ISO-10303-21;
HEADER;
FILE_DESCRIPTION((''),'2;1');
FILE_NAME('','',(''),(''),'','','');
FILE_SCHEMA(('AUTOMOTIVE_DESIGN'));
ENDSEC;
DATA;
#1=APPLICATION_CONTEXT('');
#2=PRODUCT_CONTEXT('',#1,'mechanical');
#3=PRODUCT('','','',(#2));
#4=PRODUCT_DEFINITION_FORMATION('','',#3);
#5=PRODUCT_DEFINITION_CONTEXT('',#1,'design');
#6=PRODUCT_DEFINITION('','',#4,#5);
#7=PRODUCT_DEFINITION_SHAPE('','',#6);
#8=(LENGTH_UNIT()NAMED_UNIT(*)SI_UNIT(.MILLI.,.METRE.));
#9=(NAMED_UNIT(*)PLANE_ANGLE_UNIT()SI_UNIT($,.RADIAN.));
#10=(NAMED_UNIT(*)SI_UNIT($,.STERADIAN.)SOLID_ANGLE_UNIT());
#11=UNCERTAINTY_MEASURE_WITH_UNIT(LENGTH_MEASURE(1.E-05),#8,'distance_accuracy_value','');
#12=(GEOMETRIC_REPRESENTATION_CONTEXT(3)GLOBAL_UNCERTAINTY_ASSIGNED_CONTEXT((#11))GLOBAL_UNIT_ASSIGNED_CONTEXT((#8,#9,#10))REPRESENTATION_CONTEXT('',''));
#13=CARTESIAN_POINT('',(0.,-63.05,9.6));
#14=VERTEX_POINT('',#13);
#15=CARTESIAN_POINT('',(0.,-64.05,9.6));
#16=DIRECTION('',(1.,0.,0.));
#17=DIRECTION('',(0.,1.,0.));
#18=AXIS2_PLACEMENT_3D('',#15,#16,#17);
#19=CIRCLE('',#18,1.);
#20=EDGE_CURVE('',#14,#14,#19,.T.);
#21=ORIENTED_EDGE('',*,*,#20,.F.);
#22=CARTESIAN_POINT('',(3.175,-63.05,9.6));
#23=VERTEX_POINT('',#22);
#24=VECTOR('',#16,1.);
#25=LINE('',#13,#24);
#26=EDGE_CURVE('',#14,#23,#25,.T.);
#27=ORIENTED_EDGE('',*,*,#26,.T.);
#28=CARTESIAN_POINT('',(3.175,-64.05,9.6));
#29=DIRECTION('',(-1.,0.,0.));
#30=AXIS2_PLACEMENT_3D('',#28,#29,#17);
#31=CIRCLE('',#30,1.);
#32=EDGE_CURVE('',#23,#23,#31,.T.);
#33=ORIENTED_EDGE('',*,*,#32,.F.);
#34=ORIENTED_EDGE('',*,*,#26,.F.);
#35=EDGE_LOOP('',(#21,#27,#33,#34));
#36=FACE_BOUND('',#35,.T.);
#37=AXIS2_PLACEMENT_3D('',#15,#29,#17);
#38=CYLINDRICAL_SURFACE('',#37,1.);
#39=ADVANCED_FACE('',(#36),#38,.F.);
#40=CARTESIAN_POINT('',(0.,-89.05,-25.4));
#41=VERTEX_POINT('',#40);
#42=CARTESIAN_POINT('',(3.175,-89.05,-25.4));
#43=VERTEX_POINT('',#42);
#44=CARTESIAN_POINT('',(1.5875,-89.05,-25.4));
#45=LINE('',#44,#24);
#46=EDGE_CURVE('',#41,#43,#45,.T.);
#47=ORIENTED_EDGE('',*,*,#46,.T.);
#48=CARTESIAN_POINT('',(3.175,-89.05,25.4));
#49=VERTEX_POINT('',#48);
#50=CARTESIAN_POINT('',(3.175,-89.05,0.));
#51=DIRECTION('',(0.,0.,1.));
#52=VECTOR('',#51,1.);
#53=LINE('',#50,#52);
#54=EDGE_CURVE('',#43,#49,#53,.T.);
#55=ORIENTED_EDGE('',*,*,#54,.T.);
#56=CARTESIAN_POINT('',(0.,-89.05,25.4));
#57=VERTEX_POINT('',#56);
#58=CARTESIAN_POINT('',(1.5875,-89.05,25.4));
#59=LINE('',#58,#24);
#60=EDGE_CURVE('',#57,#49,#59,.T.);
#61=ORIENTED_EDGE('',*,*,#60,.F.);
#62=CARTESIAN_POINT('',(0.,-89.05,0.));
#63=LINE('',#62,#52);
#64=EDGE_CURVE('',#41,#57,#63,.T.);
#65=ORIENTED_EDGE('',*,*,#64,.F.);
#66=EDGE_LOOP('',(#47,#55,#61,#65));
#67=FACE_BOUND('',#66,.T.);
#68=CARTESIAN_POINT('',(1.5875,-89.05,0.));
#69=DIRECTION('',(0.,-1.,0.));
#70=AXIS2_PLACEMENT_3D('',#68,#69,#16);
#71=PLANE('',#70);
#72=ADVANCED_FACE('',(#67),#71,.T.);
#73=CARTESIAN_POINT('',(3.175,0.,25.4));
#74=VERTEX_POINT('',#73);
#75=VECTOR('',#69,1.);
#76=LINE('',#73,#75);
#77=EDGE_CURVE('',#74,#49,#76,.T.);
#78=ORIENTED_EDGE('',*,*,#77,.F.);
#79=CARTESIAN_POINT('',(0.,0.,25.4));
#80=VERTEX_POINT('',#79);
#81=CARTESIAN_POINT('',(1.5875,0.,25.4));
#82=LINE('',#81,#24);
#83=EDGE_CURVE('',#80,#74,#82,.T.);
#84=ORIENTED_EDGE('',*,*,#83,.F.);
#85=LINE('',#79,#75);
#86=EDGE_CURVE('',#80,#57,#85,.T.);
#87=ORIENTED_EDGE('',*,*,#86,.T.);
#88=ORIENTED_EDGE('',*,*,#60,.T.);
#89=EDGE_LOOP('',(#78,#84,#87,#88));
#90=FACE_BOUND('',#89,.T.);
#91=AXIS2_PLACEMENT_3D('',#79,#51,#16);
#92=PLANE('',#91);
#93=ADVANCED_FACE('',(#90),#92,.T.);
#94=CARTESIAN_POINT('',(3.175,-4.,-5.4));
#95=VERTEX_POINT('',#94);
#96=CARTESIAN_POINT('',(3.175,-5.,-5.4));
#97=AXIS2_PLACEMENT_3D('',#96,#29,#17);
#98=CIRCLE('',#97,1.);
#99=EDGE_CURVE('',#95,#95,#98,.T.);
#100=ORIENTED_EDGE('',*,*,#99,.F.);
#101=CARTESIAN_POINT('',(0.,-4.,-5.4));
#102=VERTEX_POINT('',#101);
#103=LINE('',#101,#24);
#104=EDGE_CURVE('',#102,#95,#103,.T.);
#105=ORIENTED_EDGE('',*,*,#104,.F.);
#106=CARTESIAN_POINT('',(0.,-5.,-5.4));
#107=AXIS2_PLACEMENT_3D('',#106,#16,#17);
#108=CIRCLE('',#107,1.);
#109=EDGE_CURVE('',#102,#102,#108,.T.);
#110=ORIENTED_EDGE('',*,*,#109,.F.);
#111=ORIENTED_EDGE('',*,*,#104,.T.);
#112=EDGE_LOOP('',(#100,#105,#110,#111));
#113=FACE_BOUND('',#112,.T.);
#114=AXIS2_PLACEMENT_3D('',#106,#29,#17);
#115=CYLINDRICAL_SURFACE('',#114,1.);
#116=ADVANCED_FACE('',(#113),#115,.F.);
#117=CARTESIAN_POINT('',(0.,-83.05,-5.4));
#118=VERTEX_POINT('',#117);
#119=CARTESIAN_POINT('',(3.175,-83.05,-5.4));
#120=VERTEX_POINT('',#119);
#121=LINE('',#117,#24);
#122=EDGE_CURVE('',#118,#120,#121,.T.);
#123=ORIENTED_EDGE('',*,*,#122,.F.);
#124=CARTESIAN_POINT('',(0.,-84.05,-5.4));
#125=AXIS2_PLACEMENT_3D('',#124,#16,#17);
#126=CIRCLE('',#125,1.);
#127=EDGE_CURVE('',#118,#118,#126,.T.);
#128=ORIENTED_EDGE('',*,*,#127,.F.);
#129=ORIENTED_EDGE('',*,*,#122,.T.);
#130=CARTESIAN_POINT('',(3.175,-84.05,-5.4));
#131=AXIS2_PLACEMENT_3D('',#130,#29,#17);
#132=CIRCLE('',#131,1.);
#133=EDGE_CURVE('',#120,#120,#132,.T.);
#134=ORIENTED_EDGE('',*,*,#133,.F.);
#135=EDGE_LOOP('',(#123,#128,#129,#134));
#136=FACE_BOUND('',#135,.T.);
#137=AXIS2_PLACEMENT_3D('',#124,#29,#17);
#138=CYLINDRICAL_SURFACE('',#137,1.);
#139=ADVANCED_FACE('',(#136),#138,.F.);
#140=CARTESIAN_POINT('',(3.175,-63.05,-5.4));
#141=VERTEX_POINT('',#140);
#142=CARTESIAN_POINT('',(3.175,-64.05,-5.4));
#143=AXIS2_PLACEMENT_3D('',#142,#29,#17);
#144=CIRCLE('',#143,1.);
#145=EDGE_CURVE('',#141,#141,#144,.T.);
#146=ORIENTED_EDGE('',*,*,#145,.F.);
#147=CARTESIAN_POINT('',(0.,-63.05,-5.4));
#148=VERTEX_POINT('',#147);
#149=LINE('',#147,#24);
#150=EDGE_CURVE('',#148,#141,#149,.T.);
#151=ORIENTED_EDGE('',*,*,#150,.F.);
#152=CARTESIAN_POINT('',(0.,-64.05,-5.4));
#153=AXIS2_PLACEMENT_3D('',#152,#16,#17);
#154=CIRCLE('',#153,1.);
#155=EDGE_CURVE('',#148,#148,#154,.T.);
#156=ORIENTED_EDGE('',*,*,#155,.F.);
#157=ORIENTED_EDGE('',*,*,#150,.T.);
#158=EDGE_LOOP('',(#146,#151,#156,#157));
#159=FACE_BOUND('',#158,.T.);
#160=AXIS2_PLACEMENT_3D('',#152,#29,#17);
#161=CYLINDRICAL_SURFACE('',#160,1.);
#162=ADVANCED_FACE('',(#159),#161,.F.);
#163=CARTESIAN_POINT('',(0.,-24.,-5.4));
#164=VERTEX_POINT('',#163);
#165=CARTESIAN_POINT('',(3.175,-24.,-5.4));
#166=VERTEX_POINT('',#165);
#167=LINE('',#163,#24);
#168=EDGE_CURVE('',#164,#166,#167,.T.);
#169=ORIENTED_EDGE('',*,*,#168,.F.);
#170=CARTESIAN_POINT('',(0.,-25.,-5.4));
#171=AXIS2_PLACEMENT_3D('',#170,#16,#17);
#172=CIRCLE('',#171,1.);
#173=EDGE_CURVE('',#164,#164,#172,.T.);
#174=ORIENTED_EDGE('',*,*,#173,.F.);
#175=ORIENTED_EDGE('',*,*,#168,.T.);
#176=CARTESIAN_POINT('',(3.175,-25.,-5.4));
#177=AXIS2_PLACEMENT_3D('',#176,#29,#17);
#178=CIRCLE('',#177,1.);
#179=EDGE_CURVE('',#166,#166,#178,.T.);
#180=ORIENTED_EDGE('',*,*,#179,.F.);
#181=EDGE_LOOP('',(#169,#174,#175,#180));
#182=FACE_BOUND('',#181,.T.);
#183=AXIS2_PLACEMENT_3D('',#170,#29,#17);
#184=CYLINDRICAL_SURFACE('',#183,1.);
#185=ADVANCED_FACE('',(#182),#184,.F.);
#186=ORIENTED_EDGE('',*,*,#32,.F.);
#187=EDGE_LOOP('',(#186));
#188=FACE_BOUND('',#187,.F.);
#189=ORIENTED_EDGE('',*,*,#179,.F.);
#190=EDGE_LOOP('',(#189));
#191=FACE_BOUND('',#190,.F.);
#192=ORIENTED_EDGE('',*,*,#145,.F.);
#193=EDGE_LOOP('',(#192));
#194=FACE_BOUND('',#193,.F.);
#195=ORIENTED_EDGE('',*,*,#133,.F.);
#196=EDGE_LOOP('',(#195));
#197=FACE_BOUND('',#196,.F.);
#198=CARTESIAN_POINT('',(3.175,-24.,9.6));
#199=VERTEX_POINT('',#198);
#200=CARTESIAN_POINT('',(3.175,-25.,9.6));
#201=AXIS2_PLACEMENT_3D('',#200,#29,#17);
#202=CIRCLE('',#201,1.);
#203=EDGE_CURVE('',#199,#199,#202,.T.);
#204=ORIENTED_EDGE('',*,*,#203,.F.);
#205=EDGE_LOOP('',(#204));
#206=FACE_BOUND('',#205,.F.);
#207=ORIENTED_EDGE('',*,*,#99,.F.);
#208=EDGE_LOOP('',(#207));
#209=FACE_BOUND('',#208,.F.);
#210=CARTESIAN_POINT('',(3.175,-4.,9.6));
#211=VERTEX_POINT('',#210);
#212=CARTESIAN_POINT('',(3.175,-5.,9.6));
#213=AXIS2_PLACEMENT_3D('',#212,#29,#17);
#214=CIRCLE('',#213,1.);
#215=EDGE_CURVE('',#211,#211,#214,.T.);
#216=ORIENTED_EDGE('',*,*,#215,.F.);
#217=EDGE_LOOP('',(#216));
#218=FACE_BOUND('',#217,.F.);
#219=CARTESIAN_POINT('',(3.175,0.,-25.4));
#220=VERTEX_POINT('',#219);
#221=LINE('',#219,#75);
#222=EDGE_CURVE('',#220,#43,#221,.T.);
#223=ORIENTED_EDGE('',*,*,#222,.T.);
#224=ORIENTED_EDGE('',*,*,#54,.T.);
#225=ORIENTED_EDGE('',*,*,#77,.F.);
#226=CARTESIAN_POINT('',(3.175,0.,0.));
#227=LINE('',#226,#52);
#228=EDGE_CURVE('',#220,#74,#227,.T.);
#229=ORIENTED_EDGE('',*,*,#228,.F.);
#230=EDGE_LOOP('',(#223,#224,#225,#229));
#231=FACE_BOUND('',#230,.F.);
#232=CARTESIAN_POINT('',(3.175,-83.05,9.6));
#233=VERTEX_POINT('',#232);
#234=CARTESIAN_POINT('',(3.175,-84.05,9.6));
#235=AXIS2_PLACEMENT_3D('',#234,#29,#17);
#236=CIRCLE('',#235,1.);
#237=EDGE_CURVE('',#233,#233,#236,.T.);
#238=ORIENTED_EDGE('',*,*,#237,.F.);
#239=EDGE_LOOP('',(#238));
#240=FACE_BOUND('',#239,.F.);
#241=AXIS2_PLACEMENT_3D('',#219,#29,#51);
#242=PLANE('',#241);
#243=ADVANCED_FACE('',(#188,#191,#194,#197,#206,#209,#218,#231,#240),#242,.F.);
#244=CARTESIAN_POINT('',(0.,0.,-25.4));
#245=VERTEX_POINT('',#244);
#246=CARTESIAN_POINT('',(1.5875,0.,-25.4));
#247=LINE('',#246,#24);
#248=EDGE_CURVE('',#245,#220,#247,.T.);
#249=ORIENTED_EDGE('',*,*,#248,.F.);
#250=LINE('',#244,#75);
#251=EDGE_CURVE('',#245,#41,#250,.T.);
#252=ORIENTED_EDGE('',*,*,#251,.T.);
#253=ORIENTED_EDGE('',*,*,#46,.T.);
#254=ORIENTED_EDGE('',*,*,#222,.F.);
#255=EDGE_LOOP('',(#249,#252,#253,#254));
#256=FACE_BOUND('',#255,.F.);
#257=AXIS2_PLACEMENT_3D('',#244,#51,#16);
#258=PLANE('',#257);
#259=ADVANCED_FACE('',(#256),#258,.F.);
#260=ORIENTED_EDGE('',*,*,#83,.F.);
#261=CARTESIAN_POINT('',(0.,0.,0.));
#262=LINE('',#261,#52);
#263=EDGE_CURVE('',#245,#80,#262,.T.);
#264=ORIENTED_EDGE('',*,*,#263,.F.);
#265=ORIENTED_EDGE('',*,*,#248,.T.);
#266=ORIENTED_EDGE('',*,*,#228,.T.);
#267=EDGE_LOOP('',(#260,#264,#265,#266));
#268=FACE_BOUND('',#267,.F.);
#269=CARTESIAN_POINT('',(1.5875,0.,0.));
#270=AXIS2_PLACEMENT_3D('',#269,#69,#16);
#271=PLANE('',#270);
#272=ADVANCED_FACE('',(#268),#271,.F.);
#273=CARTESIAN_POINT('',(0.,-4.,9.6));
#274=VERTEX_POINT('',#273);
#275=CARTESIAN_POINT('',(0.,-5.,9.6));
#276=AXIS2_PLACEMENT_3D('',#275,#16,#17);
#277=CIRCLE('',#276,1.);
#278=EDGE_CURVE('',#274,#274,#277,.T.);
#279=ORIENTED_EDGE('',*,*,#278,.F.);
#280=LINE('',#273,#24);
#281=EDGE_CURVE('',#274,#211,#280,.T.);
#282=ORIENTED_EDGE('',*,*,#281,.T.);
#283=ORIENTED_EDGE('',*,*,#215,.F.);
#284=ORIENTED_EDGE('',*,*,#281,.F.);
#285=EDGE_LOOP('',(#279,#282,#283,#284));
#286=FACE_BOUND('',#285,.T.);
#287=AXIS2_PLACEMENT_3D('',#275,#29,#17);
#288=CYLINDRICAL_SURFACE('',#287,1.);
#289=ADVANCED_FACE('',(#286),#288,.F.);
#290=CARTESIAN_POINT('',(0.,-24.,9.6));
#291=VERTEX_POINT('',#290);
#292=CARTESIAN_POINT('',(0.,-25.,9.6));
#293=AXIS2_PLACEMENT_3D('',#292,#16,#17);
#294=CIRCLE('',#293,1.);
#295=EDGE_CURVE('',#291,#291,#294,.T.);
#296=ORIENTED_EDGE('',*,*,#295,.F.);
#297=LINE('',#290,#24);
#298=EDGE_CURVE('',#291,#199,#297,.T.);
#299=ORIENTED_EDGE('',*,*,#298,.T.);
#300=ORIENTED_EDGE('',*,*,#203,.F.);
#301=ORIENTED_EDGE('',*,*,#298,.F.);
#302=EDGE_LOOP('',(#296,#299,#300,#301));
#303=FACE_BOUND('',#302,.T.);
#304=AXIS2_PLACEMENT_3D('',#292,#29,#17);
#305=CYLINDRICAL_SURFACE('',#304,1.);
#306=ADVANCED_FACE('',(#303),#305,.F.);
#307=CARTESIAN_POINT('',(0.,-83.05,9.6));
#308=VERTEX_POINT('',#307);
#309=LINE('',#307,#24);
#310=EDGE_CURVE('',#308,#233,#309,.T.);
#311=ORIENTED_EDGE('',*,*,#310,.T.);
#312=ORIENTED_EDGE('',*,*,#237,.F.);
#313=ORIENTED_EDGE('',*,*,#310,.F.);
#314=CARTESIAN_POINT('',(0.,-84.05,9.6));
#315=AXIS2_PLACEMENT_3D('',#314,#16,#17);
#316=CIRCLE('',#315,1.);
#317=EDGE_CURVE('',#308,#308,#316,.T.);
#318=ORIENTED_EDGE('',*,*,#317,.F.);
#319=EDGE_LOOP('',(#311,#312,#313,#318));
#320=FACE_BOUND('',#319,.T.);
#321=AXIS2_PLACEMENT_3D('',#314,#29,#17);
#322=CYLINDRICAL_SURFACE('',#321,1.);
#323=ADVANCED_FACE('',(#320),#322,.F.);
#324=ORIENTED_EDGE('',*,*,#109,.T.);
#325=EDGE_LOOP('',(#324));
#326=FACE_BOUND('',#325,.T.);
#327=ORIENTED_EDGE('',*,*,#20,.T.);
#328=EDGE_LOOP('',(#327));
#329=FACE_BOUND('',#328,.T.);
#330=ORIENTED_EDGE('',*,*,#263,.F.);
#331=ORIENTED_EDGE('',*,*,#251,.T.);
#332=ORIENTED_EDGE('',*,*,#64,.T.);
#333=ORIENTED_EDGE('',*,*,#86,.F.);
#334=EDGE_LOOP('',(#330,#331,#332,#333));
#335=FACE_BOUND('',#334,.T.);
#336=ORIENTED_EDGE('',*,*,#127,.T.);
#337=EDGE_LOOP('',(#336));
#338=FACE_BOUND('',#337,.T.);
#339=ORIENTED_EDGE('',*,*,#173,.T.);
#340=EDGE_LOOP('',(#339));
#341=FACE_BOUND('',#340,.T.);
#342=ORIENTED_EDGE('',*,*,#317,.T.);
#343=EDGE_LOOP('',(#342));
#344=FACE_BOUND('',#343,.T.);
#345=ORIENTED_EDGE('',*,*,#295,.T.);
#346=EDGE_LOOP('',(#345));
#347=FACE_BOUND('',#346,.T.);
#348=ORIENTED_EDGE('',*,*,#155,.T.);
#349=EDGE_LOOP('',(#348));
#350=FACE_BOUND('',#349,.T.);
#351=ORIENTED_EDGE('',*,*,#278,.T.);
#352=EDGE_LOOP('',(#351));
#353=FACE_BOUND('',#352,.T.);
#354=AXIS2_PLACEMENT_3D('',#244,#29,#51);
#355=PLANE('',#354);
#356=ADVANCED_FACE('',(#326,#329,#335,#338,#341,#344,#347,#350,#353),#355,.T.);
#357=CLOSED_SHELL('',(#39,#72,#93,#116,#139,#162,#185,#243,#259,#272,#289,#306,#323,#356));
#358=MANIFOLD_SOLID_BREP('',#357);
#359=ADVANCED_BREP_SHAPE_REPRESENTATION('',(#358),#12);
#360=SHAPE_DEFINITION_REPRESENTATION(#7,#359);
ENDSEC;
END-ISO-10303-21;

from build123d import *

# Parameters (mm, degrees)
F0_W     = 3.175
F0_H     = 50.8
F1_DEPTH = 89.05
F2_R     = 1
F3_DEPTH = 3.176


with BuildPart() as f1:
    # F0 (on Front) → F1 (new body)
    with BuildSketch(Plane.XZ):
        with Locations((1.5875, 0)):
            Rectangle(F0_W, F0_H)
    extrude(amount=F1_DEPTH)

    # F2 (on Right) → F3 (cut, through all)
    with BuildSketch(Plane.YZ):
        with Locations((-84.05, 9.6)):
            Circle(F2_R)
        with Locations((-64.05, 9.6)):
            Circle(F2_R)
        with Locations((-64.05, -5.4)):
            Circle(F2_R)
        with Locations((-84.05, -5.4)):
            Circle(F2_R)
        with Locations((-25, -5.4)):
            Circle(F2_R)
        with Locations((-25, 9.6)):
            Circle(F2_R)
        with Locations((-5, -5.4)):
            Circle(F2_R)
        with Locations((-5, 9.6)):
            Circle(F2_R)
    extrude(amount=F3_DEPTH, mode=Mode.SUBTRACT)


solid = f1.part
